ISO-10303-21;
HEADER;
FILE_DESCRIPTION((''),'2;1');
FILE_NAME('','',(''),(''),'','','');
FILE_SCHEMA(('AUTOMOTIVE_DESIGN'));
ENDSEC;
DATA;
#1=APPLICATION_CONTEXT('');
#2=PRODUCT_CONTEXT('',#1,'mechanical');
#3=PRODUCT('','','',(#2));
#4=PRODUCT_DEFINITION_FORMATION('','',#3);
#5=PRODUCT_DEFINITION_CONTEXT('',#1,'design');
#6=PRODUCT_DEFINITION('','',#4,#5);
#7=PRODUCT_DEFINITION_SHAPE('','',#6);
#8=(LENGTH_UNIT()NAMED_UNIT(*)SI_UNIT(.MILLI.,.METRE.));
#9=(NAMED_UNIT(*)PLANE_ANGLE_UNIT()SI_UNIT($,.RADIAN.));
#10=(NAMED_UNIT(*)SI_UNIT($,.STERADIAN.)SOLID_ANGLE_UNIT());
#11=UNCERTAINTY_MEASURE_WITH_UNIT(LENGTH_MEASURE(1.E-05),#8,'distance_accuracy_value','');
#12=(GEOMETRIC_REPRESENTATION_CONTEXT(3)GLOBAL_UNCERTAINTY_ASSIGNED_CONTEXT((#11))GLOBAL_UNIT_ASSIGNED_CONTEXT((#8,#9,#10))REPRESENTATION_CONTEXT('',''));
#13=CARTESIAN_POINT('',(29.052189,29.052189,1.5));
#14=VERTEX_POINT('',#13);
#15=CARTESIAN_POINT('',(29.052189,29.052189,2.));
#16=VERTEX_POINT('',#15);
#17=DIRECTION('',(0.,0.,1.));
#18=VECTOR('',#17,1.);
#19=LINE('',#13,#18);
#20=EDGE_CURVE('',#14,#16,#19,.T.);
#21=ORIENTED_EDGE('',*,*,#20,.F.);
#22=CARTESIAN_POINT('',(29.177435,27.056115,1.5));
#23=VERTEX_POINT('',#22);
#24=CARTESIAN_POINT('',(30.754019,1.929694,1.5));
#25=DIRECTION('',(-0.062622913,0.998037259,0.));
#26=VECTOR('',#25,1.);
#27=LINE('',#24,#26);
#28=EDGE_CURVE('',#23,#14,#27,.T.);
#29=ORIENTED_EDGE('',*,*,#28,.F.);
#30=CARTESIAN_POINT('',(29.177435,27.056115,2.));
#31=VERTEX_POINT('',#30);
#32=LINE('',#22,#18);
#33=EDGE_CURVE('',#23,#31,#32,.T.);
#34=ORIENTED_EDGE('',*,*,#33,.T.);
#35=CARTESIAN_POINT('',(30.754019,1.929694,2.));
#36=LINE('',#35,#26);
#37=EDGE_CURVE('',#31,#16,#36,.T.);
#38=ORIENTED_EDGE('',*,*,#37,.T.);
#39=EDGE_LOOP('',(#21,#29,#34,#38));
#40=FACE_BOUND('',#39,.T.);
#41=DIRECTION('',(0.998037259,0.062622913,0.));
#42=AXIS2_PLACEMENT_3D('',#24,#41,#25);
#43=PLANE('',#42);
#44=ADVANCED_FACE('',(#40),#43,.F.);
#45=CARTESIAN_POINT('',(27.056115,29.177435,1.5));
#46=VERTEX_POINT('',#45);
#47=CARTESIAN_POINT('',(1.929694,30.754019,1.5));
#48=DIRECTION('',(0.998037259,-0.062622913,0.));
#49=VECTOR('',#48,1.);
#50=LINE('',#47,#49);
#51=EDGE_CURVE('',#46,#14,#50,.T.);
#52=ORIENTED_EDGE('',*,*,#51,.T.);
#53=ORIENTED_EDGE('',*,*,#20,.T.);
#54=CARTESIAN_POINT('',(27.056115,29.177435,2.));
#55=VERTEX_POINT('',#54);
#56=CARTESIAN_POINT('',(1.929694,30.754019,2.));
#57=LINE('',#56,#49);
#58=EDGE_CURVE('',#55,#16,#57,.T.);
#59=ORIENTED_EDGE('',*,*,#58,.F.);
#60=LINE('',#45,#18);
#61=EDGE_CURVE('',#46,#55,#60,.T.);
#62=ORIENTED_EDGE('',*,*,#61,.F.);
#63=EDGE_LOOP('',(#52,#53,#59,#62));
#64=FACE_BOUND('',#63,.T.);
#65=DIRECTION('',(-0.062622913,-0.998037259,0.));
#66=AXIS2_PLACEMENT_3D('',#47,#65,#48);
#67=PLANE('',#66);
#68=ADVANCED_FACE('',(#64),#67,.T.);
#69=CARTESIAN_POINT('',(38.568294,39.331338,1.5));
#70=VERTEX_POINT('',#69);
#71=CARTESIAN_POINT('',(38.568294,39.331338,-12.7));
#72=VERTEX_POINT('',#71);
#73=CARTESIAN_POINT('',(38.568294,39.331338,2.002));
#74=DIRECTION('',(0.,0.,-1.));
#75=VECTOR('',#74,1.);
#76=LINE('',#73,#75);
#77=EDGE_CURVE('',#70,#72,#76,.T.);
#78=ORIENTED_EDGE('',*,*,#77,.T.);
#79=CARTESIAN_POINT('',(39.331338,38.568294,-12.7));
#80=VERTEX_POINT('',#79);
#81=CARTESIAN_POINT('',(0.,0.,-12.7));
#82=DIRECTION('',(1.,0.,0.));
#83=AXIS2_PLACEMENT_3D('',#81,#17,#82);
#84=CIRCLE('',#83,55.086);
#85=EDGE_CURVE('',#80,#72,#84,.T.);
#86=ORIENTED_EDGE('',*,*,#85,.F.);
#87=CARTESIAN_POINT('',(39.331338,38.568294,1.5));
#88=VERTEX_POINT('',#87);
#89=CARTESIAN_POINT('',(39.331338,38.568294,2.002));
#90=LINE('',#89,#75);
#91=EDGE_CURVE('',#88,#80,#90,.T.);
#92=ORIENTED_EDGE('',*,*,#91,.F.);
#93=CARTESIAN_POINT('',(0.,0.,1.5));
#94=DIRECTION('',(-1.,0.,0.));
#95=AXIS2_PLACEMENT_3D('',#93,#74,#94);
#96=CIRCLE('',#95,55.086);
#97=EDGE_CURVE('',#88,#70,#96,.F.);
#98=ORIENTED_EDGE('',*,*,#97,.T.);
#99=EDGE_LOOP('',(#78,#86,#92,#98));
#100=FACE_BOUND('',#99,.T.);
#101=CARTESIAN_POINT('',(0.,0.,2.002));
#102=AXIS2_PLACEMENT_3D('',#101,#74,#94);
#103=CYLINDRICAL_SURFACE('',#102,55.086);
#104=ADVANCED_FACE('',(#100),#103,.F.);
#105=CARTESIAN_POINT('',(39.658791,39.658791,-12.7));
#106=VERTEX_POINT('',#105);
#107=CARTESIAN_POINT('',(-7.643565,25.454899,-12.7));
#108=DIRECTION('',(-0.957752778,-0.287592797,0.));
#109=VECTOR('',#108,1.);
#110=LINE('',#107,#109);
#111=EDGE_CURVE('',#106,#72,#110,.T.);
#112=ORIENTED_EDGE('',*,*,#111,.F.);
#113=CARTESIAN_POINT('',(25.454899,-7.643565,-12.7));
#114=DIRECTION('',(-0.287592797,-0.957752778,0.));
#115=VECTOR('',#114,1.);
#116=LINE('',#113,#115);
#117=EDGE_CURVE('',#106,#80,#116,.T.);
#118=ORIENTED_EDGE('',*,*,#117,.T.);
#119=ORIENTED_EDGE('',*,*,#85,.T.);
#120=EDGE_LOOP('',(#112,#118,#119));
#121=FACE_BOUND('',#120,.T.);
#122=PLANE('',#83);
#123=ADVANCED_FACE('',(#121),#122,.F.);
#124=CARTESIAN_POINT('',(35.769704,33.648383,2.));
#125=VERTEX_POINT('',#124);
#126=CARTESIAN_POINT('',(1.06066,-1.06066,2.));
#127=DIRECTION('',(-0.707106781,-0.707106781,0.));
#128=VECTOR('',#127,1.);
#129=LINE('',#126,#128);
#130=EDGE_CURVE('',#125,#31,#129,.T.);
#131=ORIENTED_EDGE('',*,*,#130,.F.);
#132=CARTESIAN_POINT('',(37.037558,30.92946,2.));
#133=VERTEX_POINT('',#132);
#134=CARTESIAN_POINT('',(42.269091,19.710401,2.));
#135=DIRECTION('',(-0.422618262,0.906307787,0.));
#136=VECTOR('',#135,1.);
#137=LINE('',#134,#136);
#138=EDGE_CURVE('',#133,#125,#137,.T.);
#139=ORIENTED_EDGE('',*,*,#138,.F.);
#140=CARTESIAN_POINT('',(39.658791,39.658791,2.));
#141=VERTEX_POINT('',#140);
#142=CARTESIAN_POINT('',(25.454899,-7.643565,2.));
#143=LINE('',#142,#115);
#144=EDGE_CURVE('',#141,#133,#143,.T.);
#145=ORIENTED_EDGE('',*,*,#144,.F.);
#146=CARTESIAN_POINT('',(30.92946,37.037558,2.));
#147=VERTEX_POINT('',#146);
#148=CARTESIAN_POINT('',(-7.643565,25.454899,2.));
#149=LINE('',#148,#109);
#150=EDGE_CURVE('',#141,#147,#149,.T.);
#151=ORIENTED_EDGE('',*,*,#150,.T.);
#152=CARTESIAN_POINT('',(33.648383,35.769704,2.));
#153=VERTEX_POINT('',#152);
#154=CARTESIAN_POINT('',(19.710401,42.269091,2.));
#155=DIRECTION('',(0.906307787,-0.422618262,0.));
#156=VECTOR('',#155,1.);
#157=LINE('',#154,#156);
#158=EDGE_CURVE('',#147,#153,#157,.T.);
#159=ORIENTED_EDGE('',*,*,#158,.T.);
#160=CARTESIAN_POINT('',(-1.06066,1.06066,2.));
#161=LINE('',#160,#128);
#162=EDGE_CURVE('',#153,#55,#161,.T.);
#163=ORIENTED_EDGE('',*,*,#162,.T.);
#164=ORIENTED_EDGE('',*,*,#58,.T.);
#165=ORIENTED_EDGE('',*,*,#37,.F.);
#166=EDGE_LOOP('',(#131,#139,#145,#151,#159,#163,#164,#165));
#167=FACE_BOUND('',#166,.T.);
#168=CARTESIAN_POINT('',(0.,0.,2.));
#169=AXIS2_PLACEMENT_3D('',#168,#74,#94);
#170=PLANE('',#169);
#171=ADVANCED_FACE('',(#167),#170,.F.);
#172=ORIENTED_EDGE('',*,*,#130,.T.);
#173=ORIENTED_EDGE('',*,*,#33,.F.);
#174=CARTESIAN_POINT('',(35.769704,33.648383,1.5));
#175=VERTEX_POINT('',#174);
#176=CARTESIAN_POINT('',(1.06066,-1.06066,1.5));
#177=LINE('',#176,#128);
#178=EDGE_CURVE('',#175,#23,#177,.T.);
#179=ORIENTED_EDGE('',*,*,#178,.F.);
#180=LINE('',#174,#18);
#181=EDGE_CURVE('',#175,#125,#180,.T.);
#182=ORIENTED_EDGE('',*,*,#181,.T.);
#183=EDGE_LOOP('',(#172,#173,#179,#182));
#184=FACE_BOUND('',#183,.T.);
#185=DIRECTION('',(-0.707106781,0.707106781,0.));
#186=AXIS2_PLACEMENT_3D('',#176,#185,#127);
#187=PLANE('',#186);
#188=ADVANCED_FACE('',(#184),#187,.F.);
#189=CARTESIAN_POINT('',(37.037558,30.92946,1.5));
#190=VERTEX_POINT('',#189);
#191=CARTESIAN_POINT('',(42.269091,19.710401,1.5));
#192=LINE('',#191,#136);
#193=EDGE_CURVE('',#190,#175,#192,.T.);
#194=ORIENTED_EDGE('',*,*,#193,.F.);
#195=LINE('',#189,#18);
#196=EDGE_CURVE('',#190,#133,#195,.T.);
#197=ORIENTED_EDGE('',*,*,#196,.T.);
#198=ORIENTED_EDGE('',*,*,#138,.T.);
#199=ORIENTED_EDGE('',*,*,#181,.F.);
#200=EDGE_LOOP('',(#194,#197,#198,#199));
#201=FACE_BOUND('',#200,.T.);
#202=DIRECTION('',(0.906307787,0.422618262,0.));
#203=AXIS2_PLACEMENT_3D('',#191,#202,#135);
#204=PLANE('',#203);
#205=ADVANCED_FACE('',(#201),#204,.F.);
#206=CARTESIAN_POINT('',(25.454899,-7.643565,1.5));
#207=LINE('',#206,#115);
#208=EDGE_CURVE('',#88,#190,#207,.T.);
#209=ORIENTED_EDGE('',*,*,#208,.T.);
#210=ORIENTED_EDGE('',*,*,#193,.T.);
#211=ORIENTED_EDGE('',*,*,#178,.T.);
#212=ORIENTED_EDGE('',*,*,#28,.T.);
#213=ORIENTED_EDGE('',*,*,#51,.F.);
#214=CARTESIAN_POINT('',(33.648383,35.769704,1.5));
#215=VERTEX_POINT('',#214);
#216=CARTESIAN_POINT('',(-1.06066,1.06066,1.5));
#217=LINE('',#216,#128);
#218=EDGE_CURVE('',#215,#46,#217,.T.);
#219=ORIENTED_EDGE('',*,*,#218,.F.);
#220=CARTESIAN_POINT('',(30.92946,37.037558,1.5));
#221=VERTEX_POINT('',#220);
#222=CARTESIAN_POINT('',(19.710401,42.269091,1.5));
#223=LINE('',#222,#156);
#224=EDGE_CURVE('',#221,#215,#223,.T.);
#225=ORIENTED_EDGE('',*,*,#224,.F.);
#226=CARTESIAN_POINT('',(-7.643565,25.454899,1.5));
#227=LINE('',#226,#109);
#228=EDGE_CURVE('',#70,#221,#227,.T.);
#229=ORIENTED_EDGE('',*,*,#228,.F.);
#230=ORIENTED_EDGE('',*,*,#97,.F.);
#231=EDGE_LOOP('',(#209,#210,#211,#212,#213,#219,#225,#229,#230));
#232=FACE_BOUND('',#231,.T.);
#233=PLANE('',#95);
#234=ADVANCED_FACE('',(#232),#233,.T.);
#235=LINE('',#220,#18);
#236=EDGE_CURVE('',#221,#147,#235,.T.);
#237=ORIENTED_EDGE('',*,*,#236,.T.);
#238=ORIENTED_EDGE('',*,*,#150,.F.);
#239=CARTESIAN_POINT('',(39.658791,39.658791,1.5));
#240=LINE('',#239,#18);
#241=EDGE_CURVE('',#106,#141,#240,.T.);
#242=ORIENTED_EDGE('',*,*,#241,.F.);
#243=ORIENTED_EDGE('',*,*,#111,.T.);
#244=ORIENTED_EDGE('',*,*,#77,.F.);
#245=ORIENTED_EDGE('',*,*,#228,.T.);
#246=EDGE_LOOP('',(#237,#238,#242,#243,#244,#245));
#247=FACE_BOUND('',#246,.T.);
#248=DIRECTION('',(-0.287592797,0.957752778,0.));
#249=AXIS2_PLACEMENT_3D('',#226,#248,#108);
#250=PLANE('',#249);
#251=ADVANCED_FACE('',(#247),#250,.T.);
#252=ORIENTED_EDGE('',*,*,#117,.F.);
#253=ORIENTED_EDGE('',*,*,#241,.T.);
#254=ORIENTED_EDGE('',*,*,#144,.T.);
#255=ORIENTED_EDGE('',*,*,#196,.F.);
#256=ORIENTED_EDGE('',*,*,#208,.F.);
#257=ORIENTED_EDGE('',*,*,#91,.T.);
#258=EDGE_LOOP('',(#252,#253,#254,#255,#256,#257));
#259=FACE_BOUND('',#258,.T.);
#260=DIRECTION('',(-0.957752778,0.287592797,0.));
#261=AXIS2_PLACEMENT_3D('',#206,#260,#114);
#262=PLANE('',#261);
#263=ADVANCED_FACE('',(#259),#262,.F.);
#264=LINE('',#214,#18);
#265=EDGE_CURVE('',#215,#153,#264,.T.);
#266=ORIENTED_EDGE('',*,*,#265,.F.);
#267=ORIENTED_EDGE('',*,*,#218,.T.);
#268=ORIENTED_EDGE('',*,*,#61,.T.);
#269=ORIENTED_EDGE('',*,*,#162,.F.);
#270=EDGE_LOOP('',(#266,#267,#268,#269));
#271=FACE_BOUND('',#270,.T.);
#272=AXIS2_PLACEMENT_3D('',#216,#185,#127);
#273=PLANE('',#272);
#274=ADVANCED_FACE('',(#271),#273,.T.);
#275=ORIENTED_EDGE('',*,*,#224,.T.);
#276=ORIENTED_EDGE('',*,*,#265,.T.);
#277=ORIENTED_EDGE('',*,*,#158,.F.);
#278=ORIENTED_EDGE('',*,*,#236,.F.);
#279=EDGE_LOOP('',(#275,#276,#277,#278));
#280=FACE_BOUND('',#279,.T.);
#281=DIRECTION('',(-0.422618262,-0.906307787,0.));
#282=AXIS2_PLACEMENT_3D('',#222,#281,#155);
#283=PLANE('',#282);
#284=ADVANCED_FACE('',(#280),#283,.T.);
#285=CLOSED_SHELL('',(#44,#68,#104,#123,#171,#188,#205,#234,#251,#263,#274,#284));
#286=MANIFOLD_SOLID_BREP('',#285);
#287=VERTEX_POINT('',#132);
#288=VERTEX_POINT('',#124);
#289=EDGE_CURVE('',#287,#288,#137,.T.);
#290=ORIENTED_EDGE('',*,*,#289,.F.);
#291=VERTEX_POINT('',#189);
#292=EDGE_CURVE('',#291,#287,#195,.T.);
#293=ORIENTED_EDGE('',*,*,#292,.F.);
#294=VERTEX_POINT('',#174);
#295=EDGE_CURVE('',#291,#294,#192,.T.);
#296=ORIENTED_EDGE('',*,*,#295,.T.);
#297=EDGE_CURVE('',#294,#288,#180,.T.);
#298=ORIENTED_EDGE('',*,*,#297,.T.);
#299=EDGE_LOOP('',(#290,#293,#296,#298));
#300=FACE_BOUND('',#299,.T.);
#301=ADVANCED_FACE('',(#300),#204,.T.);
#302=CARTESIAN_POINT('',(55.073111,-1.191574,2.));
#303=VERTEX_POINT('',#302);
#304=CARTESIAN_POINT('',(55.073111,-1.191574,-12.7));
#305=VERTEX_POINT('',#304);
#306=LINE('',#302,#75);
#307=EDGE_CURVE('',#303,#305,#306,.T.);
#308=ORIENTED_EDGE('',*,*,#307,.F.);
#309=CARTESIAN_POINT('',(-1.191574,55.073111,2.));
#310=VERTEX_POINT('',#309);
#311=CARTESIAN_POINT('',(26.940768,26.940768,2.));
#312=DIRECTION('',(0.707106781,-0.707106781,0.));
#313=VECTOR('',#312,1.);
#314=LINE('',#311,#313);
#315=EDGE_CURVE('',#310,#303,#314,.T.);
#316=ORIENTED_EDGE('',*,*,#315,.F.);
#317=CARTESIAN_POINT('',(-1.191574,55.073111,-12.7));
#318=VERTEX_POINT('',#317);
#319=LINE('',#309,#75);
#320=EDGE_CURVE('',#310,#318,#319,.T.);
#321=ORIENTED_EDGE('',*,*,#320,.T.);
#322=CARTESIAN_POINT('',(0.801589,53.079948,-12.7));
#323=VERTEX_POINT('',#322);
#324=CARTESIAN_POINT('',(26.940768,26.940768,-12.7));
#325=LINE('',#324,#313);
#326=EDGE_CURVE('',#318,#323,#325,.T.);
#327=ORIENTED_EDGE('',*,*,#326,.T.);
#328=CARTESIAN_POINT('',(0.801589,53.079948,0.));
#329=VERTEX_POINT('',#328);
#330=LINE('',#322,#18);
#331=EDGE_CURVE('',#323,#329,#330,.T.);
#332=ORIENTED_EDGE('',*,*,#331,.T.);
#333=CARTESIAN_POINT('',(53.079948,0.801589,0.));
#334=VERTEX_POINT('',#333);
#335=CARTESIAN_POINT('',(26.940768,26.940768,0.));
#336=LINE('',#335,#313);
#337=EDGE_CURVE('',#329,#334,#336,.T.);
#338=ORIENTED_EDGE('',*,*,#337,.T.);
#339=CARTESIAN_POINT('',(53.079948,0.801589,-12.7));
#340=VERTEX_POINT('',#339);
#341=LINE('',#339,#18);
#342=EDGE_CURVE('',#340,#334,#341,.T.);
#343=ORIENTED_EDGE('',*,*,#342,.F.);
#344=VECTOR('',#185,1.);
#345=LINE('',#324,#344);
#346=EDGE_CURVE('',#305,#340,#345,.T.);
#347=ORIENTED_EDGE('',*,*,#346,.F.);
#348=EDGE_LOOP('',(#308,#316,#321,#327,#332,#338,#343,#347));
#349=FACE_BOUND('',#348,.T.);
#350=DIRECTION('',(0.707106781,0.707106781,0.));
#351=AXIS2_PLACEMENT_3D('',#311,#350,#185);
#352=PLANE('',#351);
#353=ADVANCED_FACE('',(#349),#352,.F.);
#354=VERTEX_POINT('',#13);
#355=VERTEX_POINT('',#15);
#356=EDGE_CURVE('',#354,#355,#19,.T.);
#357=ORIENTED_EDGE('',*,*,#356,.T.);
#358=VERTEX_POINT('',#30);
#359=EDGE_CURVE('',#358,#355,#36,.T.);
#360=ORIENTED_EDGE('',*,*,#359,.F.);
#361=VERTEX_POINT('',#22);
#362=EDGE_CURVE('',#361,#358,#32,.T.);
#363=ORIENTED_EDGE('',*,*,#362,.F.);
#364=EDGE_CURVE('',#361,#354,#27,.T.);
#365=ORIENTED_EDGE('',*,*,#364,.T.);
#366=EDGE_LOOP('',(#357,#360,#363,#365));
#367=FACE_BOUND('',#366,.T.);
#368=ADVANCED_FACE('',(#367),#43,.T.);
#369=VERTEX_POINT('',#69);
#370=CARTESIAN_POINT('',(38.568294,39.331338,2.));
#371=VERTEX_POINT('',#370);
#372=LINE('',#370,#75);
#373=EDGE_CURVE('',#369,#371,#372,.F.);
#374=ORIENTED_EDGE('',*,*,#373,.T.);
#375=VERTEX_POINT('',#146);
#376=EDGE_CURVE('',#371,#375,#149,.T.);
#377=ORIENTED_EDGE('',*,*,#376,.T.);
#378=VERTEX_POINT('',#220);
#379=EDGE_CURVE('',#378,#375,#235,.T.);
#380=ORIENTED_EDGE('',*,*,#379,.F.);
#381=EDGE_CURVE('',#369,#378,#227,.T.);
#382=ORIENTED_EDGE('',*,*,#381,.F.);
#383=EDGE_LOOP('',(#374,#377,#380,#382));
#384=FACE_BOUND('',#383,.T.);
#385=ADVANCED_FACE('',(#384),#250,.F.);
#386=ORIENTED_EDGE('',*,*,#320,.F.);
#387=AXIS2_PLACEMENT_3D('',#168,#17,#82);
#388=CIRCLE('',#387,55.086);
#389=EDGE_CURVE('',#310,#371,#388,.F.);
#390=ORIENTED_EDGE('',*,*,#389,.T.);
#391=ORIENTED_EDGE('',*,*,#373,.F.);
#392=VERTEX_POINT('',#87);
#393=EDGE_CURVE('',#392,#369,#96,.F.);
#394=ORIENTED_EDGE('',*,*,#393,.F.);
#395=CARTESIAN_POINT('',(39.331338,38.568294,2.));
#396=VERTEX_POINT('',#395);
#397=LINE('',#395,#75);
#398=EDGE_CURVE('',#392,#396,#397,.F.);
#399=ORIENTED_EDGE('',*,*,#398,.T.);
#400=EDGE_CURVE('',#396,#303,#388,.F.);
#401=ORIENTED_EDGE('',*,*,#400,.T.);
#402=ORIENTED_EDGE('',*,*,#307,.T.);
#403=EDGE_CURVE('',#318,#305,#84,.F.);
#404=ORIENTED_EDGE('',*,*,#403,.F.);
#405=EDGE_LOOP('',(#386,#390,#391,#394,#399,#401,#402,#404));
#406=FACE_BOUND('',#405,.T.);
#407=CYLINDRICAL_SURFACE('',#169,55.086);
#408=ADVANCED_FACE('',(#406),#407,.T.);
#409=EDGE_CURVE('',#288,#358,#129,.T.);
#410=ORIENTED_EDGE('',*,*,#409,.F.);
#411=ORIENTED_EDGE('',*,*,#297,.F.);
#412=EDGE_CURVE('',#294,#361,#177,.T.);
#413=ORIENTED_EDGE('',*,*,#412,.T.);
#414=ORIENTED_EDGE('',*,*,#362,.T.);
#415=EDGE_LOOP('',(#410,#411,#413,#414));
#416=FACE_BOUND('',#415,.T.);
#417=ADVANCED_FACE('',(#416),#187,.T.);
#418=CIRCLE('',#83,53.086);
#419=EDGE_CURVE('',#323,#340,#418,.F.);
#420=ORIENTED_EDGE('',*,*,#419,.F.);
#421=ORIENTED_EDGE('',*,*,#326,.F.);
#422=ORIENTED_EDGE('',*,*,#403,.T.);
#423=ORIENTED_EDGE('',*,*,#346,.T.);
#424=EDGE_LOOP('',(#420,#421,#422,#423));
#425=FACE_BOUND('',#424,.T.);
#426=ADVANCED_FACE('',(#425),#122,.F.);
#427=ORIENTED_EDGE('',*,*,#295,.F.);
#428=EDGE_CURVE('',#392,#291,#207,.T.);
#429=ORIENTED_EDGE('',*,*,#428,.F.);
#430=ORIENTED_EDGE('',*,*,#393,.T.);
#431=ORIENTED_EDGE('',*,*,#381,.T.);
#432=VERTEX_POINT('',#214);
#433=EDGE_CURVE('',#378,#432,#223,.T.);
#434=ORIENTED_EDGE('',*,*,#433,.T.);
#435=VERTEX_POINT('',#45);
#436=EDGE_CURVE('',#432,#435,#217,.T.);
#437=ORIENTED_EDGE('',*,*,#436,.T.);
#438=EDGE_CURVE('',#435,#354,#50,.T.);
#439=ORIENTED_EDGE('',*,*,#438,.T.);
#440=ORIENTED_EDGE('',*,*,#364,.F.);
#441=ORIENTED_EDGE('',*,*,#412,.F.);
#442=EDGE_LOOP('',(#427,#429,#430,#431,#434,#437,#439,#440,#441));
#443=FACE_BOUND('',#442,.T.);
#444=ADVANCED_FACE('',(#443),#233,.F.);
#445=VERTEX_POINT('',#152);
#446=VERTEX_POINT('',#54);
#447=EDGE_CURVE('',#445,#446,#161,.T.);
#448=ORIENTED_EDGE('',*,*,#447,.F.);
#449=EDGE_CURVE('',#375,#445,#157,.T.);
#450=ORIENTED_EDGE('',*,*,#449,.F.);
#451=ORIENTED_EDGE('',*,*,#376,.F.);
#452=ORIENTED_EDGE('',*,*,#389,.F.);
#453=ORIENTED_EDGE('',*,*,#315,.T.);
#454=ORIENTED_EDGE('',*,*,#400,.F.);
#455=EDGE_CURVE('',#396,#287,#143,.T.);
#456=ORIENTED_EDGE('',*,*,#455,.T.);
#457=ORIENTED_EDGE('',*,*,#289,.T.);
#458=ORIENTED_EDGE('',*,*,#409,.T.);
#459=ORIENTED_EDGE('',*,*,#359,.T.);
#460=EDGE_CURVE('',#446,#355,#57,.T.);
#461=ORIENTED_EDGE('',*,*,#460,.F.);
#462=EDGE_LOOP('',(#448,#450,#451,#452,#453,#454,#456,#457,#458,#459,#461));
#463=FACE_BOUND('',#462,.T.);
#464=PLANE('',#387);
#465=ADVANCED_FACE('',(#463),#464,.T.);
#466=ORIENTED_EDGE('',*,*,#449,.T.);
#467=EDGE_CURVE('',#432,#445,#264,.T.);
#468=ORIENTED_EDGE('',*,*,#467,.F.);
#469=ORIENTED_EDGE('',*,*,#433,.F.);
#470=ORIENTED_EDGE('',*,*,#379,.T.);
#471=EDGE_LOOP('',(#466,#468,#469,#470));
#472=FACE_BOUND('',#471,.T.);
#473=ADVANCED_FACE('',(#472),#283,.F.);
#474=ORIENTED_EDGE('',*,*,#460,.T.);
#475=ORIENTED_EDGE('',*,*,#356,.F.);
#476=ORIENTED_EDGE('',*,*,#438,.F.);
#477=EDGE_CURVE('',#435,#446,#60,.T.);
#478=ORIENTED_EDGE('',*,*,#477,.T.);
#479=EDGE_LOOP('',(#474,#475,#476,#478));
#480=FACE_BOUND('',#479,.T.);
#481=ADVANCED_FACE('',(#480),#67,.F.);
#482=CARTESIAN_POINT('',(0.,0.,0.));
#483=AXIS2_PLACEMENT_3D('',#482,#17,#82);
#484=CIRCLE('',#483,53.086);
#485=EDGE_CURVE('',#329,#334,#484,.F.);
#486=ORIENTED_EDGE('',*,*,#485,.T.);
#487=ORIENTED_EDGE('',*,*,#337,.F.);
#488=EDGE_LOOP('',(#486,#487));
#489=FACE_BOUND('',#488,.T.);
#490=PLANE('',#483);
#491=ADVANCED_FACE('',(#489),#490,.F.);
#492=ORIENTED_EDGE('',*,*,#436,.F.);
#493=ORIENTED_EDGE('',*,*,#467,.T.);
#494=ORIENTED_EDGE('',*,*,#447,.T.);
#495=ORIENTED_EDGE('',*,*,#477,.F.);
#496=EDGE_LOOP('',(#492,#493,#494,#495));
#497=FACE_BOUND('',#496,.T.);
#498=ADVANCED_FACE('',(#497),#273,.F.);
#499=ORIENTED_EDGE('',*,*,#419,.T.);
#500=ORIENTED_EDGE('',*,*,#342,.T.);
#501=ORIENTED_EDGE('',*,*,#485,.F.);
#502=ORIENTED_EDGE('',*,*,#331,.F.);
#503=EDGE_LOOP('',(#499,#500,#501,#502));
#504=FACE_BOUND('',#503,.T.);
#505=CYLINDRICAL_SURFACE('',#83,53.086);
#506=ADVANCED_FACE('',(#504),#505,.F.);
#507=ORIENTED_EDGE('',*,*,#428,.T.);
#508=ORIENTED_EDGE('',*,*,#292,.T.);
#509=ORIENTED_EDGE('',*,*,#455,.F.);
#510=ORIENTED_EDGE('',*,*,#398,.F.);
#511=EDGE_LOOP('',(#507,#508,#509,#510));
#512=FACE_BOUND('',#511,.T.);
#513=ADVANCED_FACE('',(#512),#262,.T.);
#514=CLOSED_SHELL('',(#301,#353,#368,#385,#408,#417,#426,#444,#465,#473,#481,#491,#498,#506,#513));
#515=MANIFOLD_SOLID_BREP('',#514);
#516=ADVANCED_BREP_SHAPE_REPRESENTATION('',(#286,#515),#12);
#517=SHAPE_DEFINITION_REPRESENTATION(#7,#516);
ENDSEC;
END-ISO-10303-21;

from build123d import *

# Parameters (mm, degrees)
FACE_2_DEPTH           = 2
CURVED_ALIGNMENT_DEPTH = 12.7
ARROW_CUT_START        = 1.5
ARROW_CUT_DEPTH        = 0.5
ARROW_EXTRUDE_START    = 1.5
ARROW_EXTRUDE_DEPTH    = 0.5
ARROW_TIP_START        = -12.7
ARROW_TIP_DEPTH        = 14.2


with BuildPart() as part:
    # main_features_sketch → face 2 (new body)
    with BuildSketch(Plane.XY):
        with BuildLine():
            Line((-1.191574198, 55.073110925), (55.073110925, -1.191574198))
            ThreePointArc((55.073110925, -1.191574198), (38.951684148, 38.951684148), (-1.191574198, 55.073110925))
        make_face()
    extrude(amount=FACE_2_DEPTH)

    # Sketch1<3> → curved_alignment (add)
    with BuildSketch(Plane.XY):
        with BuildLine():
            Line((-1.191574198, 55.073110925), (0.801588996, 53.079947731))
            ThreePointArc((0.801588996, 53.079947731), (19.932744129, 49.201718542), (36.368769629, 38.67086748))
            Line((36.368769629, 38.67086748), (38.568293544, 39.331337749))
            ThreePointArc((38.568293544, 39.331337749), (20.278206107, 51.217787467), (-1.191574198, 55.073110925))
        make_face()
        with BuildLine():
            Line((38.568293544, 39.331337749), (36.368769629, 38.67086748))
            ThreePointArc((36.368769629, 38.67086748), (37.537470586, 37.537470586), (38.67086748, 36.368769629))
            Line((38.67086748, 36.368769629), (39.331337749, 38.568293544))
            ThreePointArc((39.331337749, 38.568293544), (38.951684148, 38.951684148), (38.568293544, 39.331337749))
        make_face()
        with BuildLine():
            ThreePointArc((38.67086748, 36.368769629), (49.201718542, 19.932744129), (53.079947731, 0.801588996))
            Line((53.079947731, 0.801588996), (55.073110925, -1.191574198))
            ThreePointArc((55.073110925, -1.191574198), (51.217787467, 20.278206107), (39.331337749, 38.568293544))
            Line((39.331337749, 38.568293544), (38.67086748, 36.368769629))
        make_face()
    extrude(amount=-CURVED_ALIGNMENT_DEPTH)

    # Sketch1<4> → arrow_cut (cut)
    with BuildSketch(Plane.XY.offset(ARROW_CUT_START)):
        Polygon((27.056114693, 29.177435037), (33.64838329, 35.769703633), (30.929459928, 37.037558418), (39.65879093, 39.65879093), (37.037558418, 30.929459928), (35.769703633, 33.64838329), (29.177435037, 27.056114693), (29.052189212, 29.052189212), align=None)
    extrude(amount=ARROW_CUT_DEPTH, mode=Mode.SUBTRACT)


with BuildPart() as body_2:
    # Sketch1<5> → arrow_extrude (new body)
    with BuildSketch(Plane.XY.offset(ARROW_EXTRUDE_START)):
        Polygon((27.056114693, 29.177435037), (33.64838329, 35.769703633), (30.929459928, 37.037558418), (39.65879093, 39.65879093), (37.037558418, 30.929459928), (35.769703633, 33.64838329), (29.177435037, 27.056114693), (29.052189212, 29.052189212), align=None)
    extrude(amount=ARROW_EXTRUDE_DEPTH)

    # main_features_sketch<6> → arrow_tip (add)
    with BuildSketch(Plane.XY.offset(ARROW_TIP_START)):
        with BuildLine():
            Line((39.65879093, 39.65879093), (38.568293544, 39.331337749))
            ThreePointArc((38.568293544, 39.331337749), (38.951684148, 38.951684148), (39.331337749, 38.568293544))
            Line((39.331337749, 38.568293544), (39.65879093, 39.65879093))
        make_face()
    extrude(amount=ARROW_TIP_DEPTH)


solid = Compound([part.part, body_2.part])
